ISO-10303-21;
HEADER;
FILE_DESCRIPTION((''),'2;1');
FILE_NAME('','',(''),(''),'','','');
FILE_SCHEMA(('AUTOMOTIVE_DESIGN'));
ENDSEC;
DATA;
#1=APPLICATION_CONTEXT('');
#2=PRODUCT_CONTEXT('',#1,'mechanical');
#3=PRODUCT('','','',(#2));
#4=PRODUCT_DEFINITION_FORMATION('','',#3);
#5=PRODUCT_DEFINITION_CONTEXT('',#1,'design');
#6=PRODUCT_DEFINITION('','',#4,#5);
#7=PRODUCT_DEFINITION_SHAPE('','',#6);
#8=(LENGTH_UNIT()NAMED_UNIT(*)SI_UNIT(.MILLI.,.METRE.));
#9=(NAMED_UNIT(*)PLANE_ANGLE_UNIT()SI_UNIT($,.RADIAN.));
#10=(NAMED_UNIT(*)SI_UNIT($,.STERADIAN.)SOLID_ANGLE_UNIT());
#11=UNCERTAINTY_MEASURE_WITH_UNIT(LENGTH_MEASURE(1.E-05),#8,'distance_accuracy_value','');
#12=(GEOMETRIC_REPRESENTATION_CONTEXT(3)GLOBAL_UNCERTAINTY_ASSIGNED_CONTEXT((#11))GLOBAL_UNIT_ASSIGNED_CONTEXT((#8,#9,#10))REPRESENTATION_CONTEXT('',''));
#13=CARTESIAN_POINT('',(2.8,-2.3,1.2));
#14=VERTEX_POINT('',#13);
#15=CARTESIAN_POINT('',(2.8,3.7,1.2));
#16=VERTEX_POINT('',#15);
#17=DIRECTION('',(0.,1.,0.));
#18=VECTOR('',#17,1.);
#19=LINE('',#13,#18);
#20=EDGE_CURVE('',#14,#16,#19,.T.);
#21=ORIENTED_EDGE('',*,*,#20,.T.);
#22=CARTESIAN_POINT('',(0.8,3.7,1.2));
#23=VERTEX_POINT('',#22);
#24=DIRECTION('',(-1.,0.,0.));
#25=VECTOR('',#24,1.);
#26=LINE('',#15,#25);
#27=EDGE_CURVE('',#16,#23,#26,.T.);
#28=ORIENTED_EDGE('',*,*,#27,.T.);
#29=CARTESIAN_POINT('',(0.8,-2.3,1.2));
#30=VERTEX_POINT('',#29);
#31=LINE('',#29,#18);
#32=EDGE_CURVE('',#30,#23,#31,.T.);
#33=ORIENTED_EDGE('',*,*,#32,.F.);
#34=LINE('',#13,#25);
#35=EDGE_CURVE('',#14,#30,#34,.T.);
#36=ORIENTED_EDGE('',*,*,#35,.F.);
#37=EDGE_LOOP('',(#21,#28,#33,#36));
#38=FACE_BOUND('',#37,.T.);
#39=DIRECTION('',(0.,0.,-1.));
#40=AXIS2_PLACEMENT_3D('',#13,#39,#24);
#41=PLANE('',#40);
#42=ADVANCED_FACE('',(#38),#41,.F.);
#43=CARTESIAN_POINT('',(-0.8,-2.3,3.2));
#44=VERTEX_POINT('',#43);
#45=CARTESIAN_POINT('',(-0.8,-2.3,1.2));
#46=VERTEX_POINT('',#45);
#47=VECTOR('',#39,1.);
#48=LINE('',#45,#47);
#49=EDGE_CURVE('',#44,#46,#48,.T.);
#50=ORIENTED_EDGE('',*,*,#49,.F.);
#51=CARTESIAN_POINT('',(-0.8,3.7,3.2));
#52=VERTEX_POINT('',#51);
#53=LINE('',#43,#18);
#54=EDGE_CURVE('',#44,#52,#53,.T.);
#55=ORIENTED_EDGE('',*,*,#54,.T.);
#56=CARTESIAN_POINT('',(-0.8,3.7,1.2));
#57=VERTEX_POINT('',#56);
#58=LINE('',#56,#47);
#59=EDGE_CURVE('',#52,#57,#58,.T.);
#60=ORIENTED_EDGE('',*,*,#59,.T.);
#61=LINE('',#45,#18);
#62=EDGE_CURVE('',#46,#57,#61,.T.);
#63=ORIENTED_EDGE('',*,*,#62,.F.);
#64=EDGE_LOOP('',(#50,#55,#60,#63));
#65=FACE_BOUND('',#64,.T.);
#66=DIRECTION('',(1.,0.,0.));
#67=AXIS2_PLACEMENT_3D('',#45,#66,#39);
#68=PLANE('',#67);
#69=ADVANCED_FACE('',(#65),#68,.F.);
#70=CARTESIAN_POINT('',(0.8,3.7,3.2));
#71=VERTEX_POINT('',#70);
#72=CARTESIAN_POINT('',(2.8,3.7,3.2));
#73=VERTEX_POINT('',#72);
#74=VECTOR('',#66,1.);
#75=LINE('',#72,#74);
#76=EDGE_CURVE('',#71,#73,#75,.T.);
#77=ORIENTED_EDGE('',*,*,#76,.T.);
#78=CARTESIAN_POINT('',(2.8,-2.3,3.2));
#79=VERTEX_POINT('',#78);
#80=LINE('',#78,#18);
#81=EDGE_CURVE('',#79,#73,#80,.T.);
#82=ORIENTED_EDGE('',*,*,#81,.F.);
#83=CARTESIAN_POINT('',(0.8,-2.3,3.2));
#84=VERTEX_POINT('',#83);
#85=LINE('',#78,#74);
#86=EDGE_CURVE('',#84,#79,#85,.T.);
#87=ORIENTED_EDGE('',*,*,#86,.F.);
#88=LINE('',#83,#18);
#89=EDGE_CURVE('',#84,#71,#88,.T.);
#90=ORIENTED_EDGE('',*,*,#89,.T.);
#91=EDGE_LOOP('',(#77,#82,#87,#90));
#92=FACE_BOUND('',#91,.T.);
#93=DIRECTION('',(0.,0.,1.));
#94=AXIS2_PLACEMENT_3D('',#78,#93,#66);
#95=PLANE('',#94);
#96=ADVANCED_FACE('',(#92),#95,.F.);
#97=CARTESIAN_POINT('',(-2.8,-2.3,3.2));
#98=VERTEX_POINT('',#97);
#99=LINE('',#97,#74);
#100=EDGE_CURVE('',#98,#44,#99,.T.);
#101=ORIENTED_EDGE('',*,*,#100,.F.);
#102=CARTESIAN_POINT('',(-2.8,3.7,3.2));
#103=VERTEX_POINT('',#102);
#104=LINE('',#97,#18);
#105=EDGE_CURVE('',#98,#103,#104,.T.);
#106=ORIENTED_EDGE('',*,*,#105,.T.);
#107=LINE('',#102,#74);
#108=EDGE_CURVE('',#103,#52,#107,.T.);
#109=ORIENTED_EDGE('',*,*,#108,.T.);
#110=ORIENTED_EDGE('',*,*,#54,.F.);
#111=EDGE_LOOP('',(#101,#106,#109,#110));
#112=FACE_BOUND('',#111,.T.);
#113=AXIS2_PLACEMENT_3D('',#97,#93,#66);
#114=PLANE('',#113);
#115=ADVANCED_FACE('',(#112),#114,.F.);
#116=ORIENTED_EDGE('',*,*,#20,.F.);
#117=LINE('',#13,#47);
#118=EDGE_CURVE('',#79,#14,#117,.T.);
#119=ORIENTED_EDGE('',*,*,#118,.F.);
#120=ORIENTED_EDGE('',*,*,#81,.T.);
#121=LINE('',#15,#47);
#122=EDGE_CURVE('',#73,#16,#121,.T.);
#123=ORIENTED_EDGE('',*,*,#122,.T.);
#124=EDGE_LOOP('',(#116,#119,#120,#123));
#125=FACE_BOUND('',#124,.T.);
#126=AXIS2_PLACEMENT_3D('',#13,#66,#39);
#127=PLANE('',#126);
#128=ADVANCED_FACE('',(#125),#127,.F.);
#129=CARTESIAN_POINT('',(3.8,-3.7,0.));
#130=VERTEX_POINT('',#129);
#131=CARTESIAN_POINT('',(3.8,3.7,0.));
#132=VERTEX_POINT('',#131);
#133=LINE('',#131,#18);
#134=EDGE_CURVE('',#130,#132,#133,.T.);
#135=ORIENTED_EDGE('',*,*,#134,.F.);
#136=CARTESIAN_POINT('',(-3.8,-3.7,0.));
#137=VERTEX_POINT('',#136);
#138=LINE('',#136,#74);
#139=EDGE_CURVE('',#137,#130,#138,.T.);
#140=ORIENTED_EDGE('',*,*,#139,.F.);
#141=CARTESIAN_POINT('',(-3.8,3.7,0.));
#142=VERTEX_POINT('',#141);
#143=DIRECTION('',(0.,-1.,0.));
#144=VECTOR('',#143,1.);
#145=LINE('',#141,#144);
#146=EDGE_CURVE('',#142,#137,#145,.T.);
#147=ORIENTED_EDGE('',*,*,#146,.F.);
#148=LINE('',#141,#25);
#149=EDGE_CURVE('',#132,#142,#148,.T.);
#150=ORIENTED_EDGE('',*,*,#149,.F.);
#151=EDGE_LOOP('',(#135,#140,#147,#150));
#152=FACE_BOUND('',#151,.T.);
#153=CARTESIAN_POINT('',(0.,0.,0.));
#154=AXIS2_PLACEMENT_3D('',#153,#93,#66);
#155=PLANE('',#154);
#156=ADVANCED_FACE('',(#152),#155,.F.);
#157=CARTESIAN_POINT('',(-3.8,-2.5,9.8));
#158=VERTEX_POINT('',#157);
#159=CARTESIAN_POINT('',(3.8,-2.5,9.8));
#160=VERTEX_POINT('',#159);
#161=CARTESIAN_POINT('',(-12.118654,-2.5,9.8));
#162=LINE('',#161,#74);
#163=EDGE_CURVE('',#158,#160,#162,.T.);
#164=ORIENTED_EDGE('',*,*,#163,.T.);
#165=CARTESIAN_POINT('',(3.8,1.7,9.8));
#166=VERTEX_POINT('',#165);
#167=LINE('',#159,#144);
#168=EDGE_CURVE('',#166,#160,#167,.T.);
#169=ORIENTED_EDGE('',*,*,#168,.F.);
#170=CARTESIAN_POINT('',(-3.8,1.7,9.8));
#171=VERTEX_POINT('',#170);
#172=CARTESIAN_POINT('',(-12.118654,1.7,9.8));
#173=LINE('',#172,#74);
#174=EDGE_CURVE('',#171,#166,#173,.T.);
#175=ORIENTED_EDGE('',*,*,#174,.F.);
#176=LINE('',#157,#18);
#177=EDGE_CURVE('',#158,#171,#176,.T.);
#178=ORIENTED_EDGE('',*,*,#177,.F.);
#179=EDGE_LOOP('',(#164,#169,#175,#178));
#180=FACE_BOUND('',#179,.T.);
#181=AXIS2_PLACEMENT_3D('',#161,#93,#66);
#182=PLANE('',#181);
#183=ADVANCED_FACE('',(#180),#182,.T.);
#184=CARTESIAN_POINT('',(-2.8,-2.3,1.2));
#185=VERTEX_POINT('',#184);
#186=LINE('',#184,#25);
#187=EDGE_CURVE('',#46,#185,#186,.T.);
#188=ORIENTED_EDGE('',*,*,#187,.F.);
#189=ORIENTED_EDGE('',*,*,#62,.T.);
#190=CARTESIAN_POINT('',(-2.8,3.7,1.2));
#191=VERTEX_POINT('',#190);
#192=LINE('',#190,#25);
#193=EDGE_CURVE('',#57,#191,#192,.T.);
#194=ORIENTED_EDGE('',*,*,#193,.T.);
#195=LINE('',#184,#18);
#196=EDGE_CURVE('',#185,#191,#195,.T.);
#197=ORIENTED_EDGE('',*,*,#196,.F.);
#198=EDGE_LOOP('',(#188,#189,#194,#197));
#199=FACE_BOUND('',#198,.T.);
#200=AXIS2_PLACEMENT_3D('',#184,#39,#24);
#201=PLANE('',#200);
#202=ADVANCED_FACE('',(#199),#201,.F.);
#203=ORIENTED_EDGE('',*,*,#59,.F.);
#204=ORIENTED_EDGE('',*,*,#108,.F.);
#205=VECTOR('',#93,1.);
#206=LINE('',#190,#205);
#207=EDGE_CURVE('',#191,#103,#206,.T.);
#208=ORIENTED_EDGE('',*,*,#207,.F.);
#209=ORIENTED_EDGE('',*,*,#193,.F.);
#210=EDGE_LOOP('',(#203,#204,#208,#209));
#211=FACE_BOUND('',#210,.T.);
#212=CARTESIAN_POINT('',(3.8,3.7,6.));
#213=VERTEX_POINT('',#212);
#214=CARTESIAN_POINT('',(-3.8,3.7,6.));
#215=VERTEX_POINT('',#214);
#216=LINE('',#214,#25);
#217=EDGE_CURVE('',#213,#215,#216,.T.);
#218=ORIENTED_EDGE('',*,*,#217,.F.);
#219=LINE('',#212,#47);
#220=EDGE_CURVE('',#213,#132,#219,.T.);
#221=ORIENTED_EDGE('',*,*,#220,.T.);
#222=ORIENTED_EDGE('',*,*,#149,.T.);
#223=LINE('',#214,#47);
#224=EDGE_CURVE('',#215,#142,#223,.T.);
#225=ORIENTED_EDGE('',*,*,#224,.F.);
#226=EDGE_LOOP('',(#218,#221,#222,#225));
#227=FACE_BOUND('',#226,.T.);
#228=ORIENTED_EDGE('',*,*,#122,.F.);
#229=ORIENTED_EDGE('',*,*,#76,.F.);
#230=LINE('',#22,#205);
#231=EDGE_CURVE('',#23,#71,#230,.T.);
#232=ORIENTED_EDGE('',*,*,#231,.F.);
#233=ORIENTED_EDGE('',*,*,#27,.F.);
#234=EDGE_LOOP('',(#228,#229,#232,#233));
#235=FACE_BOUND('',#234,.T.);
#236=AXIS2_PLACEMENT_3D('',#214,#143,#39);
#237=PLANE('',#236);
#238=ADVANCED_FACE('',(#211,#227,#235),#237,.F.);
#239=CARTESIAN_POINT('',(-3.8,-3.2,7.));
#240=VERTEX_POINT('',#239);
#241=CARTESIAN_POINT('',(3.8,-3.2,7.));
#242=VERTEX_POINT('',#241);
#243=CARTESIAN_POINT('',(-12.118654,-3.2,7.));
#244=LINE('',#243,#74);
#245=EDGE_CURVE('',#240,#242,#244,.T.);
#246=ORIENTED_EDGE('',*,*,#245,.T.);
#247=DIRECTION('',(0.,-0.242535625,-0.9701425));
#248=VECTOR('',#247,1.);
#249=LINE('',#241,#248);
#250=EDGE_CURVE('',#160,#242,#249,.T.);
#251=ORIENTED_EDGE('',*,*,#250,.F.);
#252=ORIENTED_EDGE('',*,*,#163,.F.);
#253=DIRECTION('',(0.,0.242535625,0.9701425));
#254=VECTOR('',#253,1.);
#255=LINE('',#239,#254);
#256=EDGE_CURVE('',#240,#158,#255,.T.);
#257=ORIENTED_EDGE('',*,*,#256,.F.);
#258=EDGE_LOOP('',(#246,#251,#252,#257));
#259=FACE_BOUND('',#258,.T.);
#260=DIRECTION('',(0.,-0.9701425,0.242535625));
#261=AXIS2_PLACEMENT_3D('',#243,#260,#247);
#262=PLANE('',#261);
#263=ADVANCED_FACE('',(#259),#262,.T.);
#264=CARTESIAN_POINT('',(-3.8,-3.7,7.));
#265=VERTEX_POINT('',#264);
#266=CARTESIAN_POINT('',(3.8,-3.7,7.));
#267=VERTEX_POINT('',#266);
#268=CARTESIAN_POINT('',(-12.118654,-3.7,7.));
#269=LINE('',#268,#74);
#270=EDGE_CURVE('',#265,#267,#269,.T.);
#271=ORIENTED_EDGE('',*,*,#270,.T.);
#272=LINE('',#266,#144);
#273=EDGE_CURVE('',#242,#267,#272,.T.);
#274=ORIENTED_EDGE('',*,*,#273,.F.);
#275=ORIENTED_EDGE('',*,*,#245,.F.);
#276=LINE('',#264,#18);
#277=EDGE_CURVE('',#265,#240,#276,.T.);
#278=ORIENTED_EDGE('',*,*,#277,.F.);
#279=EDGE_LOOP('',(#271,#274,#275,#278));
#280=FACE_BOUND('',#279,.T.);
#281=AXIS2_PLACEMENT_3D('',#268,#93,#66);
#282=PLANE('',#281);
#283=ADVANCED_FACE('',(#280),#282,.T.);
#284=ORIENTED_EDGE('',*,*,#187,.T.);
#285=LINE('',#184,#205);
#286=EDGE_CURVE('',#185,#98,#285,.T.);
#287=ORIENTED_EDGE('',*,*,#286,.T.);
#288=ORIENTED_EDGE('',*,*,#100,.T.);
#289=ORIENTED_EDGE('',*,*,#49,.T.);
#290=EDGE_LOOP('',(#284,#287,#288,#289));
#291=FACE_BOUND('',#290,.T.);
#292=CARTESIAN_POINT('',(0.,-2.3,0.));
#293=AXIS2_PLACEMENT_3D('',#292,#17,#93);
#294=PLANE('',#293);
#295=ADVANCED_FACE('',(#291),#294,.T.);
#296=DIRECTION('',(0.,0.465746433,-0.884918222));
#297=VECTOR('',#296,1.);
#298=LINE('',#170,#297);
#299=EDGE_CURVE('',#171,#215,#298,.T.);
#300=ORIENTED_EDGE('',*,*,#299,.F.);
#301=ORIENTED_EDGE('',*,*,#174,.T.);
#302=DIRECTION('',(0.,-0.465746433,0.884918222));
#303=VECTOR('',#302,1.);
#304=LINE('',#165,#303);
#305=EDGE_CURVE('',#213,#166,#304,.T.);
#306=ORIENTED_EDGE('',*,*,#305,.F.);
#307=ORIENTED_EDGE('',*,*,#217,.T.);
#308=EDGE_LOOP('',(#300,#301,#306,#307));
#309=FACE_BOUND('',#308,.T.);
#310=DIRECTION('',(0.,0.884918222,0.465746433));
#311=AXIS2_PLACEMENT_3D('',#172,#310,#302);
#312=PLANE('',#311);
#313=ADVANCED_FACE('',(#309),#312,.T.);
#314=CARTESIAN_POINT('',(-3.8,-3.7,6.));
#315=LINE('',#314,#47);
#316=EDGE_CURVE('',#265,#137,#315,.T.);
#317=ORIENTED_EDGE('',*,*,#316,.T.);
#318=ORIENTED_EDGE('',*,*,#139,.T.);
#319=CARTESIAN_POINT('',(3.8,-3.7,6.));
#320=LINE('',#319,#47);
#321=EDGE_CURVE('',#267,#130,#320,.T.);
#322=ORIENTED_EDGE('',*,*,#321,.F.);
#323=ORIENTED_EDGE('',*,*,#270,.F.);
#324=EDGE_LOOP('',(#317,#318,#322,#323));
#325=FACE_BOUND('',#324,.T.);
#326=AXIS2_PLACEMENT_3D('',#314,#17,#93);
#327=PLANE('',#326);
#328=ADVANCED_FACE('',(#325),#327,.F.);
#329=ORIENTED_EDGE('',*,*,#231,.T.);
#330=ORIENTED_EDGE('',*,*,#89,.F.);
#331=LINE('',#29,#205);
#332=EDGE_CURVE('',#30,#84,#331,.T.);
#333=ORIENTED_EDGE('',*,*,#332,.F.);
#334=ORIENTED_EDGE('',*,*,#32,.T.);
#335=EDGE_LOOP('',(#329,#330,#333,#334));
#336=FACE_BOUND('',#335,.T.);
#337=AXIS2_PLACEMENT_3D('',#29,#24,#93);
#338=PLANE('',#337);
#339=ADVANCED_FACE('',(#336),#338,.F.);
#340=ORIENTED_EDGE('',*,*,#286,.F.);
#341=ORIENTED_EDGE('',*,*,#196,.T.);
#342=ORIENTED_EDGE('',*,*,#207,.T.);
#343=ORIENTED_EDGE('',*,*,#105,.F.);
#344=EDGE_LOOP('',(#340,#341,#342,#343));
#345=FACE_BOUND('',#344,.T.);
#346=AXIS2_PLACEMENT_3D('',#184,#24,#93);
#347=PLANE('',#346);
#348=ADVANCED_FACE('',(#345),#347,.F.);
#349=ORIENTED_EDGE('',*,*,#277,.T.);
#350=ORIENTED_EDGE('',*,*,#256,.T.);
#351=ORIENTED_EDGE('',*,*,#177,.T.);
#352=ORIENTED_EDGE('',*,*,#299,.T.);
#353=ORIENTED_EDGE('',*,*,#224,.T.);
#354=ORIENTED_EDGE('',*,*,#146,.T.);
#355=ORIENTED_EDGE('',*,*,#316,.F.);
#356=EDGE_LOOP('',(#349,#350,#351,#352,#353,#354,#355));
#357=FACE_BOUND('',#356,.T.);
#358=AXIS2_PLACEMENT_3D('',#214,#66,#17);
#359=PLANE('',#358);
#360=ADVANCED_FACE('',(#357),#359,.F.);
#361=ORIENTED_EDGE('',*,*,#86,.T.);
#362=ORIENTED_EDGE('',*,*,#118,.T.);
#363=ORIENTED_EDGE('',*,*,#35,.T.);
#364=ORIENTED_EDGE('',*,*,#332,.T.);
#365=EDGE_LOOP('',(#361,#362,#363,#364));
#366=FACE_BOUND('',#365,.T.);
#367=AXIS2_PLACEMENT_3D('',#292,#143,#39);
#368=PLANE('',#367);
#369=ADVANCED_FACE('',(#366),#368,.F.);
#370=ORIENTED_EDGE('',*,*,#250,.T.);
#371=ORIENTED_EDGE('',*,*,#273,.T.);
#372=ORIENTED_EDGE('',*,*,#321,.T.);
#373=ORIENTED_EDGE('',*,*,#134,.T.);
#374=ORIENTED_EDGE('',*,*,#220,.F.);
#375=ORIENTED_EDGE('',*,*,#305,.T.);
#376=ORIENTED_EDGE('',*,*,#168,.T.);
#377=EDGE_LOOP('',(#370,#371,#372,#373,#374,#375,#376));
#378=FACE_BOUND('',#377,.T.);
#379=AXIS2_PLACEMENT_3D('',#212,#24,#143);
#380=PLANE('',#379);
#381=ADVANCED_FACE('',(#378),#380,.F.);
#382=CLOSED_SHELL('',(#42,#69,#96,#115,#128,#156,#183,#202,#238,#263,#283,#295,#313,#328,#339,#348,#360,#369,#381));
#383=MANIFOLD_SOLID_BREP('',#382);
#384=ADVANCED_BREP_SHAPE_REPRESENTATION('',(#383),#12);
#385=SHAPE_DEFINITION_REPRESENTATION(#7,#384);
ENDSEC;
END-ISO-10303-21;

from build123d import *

# Parameters (mm, degrees)
SKETCH1_W           = 7.6
SKETCH1_H           = 7.4
BOSS_EXTRUDE1_DEPTH = 6
BOSS_EXTRUDE2_DEPTH = 7.6
SKETCH3_W           = 2
SKETCH3_H           = 2
CUT_EXTRUDE1_DEPTH  = 6


with BuildPart() as part:
    # Sketch1 → Boss-Extrude1 (new body)
    with BuildSketch(Plane.XY):
        Rectangle(SKETCH1_W, SKETCH1_H)
    extrude(amount=BOSS_EXTRUDE1_DEPTH)

    # Sketch2 → Boss-Extrude2 (add)
    with BuildSketch(Plane(origin=(3.8, 0, 0), x_dir=(0, 0, -1), z_dir=(1, 0, 0))):
        Polygon((-6, 3.7), (-6, -3.7), (-7, -3.7), (-7, -3.2), (-9.8, -2.5), (-9.8, 1.7), align=None)
    extrude(amount=-BOSS_EXTRUDE2_DEPTH)

    # Sketch3 → Cut-Extrude1 (cut)
    with BuildSketch(Plane(origin=(0, 3.7, 0), x_dir=(1, 0, 0), z_dir=(0, 1, 0))):
        with Locations((-1.8, -2.2)):
            Rectangle(SKETCH3_W, SKETCH3_H)
        with Locations((1.8, -2.2)):
            Rectangle(SKETCH3_W, SKETCH3_H)
    extrude(amount=-CUT_EXTRUDE1_DEPTH, mode=Mode.SUBTRACT)


solid = part.part
